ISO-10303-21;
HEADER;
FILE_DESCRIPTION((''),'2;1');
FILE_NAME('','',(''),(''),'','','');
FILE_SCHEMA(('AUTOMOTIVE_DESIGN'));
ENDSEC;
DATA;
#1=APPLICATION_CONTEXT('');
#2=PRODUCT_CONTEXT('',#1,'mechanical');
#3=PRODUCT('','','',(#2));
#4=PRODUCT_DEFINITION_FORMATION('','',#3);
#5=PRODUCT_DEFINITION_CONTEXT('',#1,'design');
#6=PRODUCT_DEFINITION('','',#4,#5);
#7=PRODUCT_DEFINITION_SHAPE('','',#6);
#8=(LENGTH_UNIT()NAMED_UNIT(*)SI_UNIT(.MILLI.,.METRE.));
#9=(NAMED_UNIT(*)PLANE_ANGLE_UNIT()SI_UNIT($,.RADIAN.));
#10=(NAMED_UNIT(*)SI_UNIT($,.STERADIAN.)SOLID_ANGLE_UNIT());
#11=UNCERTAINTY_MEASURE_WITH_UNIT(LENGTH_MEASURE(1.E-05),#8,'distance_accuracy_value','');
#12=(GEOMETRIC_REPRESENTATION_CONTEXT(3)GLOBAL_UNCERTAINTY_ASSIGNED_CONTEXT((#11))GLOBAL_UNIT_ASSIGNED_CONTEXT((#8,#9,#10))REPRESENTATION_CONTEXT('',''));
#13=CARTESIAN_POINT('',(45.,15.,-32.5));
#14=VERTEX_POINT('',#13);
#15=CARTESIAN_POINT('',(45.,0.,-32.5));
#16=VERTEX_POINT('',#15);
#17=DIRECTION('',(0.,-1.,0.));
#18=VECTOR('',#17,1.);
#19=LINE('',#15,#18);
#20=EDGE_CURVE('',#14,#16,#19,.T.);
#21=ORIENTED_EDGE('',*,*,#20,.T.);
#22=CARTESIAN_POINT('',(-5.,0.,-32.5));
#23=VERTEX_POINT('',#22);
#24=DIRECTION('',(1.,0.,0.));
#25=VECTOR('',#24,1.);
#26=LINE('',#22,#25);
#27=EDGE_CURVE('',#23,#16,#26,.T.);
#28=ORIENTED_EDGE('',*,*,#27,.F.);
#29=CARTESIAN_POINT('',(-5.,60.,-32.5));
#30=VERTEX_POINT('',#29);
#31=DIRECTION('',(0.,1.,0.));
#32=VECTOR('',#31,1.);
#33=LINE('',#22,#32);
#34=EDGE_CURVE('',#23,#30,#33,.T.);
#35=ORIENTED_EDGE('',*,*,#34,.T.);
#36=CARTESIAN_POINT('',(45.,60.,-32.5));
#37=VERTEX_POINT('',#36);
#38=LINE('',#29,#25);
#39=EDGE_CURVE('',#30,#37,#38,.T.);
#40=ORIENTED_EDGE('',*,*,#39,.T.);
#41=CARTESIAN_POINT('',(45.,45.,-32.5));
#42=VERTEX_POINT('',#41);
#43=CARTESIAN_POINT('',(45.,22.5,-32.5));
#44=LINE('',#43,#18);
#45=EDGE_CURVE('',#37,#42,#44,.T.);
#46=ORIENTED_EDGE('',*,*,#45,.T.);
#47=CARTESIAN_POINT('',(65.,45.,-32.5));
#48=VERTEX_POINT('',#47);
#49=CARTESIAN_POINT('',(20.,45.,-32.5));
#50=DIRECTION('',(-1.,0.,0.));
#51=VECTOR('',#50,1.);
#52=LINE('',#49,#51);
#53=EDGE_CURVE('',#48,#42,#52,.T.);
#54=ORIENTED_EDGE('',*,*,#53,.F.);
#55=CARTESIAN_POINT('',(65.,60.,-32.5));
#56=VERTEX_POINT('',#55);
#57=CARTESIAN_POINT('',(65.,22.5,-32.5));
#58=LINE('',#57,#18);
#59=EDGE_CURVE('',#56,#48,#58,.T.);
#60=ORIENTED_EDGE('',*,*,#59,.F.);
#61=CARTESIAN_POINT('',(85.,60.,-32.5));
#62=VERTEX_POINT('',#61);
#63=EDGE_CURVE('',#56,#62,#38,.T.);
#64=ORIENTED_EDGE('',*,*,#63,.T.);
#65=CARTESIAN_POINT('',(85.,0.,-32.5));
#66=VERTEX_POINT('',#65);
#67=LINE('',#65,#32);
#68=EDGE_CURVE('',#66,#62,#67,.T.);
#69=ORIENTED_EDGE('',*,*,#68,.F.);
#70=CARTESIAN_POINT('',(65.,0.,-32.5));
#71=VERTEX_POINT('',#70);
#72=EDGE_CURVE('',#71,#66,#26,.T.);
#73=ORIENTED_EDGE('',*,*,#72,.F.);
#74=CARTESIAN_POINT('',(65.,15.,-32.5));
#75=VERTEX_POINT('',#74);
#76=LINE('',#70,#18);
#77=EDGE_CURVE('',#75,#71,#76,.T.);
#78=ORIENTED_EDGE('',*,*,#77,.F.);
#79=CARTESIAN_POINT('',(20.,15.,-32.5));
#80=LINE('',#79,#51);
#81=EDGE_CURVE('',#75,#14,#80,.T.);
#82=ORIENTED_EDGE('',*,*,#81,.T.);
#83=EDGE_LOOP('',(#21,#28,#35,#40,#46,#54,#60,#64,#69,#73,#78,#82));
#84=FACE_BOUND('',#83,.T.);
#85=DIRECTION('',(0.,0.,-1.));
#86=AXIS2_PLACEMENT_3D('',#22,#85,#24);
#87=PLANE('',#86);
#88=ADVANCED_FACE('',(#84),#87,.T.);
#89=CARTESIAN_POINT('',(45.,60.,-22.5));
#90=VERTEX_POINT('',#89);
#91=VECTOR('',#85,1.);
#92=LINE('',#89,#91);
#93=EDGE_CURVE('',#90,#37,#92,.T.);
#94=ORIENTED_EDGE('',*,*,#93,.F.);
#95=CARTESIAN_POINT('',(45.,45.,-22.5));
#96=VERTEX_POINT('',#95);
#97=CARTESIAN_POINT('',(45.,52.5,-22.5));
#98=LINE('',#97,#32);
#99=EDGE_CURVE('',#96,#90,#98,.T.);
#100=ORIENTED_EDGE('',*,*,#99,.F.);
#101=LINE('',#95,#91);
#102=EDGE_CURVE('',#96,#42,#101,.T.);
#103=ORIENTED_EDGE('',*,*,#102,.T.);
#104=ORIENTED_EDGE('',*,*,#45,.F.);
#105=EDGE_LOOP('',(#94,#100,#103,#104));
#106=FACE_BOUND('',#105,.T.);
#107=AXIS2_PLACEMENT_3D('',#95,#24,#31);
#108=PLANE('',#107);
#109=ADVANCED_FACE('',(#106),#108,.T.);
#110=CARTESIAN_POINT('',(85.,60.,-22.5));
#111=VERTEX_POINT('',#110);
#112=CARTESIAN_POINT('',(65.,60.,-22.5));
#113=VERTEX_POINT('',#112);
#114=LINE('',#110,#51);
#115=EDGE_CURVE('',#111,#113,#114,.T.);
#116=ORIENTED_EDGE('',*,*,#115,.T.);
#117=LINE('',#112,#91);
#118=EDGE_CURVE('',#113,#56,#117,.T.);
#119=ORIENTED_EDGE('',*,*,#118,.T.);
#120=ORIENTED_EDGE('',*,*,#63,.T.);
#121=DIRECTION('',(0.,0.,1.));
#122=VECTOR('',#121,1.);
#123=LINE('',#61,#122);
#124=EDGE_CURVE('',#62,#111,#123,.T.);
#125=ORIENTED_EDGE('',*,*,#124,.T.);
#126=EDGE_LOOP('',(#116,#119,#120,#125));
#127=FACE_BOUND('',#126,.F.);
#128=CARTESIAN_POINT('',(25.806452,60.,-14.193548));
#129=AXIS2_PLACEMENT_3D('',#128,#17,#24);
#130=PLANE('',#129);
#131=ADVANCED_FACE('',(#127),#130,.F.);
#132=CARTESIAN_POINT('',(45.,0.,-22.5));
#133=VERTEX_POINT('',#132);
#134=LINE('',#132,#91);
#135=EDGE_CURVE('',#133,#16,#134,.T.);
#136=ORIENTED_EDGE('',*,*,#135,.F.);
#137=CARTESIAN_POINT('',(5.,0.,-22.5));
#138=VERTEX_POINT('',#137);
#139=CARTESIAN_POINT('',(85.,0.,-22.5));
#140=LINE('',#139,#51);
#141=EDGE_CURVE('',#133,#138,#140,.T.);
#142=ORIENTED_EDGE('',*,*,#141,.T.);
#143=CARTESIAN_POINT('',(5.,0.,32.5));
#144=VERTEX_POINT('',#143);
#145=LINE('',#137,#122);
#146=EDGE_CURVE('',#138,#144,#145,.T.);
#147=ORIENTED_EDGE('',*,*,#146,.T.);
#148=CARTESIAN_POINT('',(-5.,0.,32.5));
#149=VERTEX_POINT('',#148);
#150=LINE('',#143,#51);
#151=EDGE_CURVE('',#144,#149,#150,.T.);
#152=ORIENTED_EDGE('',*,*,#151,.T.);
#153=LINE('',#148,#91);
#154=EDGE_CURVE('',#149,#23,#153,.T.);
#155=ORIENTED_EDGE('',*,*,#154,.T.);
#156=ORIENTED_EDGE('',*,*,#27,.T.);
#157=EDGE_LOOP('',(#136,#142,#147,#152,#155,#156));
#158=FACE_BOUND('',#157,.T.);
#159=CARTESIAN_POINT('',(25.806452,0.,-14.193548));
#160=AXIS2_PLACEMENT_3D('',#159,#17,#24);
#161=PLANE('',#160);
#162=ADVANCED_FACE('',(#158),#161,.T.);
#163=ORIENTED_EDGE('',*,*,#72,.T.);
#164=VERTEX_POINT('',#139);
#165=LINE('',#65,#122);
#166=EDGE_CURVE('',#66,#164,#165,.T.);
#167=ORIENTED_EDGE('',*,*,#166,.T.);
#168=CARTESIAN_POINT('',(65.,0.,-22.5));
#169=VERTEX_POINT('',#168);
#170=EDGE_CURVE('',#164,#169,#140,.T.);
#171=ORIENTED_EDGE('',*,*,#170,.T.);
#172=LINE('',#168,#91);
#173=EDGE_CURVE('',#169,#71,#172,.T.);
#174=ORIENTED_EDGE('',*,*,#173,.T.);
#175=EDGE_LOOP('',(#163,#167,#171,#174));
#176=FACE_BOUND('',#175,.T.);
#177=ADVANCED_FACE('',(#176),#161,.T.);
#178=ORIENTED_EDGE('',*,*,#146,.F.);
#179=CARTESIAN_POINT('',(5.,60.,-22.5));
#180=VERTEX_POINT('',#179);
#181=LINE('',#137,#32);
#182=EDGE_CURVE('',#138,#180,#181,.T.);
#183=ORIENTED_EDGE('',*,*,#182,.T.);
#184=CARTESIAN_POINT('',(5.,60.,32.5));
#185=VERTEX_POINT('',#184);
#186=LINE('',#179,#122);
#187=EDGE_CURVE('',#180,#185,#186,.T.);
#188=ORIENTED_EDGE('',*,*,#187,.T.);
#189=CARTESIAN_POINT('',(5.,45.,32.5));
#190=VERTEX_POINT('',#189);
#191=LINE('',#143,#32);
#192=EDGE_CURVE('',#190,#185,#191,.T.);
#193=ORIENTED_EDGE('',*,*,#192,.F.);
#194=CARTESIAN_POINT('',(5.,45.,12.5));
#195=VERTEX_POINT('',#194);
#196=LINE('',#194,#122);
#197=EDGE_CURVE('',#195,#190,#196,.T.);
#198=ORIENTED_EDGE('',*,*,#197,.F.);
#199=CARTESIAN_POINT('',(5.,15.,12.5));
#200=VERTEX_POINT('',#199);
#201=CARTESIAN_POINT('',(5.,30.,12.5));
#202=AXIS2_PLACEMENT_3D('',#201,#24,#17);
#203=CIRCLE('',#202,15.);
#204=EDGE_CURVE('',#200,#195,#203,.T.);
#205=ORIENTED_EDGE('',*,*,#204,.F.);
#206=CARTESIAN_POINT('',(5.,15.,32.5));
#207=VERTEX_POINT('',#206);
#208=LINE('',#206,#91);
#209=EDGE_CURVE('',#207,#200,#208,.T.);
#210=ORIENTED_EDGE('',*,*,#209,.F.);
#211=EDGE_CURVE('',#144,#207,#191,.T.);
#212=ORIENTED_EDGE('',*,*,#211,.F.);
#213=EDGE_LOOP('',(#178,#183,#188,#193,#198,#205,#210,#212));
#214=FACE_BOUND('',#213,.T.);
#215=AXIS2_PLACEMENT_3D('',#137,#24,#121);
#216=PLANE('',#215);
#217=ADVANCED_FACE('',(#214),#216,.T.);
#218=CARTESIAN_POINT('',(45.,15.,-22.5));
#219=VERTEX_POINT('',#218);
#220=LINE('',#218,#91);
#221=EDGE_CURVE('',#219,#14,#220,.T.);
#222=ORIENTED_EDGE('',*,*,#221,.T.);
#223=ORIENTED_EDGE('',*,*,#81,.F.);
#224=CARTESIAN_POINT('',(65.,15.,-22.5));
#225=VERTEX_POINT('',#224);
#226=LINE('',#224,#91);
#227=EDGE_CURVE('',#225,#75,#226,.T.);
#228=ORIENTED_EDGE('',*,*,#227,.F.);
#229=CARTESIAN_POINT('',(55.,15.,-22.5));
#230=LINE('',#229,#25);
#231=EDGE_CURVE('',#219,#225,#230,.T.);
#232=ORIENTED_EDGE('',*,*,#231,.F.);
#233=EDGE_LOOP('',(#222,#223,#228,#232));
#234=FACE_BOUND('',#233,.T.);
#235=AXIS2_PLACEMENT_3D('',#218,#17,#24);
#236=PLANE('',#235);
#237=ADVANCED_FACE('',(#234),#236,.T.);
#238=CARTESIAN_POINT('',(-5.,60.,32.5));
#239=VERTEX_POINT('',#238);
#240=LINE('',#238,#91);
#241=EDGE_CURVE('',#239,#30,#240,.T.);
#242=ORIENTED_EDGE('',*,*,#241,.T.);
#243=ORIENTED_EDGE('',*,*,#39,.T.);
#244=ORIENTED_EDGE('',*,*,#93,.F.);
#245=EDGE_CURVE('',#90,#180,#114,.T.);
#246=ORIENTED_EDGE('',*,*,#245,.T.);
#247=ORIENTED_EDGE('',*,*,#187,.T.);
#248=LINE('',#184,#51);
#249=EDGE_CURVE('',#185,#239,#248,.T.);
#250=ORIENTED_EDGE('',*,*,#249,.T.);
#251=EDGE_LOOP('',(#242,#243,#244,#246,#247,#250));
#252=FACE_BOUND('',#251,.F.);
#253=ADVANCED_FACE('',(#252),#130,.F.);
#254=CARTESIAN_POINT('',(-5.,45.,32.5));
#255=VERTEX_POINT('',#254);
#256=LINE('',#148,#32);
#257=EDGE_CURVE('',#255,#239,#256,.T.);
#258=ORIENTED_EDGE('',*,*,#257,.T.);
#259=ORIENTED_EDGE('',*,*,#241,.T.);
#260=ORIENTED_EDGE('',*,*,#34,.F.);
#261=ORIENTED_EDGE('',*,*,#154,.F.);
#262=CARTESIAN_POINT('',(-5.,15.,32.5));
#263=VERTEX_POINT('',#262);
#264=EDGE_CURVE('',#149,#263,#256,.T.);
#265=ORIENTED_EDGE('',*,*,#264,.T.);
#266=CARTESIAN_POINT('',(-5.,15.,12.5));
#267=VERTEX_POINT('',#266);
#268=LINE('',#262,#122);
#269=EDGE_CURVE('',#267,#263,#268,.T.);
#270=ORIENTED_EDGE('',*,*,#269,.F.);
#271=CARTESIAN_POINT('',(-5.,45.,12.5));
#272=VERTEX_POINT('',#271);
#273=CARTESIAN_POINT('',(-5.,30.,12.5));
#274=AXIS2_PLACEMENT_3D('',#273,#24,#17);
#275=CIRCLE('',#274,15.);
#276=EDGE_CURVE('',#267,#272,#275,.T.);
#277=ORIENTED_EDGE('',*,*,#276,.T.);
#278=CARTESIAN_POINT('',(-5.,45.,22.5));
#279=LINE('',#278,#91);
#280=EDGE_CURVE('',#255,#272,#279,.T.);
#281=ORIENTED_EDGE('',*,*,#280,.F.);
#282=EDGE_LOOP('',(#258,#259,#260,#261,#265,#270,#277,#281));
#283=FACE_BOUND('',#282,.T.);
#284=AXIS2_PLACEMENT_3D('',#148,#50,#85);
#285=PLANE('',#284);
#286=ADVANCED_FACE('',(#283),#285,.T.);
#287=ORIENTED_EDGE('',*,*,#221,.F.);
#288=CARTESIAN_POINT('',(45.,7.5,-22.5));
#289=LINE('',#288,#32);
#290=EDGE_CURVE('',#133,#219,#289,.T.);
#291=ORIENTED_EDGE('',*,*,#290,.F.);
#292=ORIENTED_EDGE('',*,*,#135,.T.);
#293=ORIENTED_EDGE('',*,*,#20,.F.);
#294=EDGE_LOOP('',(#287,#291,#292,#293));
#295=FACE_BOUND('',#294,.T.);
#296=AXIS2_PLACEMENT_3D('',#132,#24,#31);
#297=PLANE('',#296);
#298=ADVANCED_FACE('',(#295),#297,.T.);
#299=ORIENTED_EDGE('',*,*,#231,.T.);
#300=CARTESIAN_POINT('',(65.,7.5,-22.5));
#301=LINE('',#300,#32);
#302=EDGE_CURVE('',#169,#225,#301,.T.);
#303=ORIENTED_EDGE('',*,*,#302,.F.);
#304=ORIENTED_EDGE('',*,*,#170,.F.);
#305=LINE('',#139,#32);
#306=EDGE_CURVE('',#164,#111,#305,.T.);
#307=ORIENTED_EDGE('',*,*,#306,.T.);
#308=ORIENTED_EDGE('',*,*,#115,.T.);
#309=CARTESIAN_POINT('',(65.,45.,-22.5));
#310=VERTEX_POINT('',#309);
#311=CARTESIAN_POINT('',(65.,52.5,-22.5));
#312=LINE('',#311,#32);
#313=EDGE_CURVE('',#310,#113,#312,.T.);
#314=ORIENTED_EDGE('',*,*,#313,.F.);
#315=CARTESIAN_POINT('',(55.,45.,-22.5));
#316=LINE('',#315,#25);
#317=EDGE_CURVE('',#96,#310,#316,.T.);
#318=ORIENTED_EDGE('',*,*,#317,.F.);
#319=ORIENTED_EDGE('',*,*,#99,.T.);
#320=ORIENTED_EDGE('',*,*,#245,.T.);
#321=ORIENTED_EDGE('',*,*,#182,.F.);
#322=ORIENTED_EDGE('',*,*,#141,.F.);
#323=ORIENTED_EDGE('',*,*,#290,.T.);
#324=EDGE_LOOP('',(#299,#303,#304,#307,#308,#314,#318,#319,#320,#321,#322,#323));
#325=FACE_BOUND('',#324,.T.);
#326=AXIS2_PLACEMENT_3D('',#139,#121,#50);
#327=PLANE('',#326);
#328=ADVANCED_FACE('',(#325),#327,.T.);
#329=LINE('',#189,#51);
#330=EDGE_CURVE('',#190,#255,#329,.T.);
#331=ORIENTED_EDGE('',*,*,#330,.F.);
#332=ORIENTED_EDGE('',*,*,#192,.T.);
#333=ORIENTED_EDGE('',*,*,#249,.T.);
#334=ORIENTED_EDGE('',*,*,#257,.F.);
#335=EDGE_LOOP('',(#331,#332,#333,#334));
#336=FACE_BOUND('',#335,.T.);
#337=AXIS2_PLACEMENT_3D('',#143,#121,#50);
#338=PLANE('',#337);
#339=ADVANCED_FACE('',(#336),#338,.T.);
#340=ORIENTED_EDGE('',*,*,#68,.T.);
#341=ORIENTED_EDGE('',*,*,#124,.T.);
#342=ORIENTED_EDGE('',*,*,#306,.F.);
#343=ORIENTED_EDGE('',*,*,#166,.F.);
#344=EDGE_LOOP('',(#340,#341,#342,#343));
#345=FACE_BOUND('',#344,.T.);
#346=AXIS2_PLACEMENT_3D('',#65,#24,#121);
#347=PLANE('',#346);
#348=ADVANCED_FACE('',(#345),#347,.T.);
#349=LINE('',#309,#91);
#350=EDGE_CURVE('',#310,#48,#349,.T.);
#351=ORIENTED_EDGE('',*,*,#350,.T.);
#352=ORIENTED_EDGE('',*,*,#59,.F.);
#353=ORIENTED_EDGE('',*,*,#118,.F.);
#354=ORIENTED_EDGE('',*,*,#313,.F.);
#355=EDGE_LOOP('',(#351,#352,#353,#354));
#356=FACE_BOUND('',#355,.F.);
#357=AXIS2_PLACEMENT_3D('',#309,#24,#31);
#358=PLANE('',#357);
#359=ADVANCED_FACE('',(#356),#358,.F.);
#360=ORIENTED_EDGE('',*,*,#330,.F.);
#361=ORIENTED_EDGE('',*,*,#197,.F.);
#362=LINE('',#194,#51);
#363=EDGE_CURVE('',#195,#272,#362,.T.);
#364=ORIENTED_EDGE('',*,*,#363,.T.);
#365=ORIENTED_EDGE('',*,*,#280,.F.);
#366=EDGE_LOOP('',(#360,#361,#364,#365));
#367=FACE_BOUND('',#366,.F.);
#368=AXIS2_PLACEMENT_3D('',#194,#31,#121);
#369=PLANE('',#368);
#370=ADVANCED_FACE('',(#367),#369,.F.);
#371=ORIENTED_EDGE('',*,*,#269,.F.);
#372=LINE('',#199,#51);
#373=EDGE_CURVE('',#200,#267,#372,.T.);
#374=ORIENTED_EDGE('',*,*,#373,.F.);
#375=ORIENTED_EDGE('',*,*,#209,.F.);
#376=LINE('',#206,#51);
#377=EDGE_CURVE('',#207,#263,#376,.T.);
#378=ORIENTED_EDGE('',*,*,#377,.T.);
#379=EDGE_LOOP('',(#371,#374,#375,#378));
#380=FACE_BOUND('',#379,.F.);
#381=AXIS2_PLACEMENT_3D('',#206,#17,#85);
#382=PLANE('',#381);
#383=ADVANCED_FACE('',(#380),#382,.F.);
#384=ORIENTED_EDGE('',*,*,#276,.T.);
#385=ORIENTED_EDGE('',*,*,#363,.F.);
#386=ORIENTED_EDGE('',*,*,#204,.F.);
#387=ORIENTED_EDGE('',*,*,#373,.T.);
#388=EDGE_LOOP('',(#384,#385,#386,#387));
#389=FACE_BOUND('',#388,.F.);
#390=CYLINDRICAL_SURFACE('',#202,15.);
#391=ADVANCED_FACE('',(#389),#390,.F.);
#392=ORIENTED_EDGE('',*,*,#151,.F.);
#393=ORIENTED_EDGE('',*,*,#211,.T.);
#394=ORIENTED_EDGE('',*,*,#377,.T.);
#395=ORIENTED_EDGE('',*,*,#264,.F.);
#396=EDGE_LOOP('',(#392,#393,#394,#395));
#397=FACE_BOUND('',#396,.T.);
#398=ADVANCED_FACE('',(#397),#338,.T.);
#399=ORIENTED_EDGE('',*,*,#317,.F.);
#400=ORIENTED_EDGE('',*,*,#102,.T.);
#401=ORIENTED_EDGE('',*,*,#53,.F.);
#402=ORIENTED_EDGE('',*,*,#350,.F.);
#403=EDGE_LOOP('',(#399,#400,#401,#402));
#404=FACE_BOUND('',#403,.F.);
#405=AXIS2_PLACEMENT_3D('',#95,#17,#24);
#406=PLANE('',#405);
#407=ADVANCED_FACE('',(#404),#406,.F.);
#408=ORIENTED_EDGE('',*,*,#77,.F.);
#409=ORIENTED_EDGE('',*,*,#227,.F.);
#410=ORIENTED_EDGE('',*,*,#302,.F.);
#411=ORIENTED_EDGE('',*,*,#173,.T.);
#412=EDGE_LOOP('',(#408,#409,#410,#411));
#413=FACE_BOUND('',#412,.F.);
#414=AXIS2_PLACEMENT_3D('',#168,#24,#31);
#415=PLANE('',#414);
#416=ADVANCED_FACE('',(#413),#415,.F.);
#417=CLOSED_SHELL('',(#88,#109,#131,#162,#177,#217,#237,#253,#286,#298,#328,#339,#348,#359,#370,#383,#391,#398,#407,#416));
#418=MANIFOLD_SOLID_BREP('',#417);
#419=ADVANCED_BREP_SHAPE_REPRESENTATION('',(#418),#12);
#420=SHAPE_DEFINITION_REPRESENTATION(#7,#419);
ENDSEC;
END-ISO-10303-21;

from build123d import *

# Parameters (mm, degrees)
F1_DEPTH = 60
F2_W     = 20
F2_H     = 15
F3_DEPTH = 25
F5_DEPTH = 25


with BuildPart() as f1:
    # F0 (on Front) → F1 (new body)
    with BuildSketch(Plane.XZ):
        Polygon((5, -22.5), (5, 32.5), (-5, 32.5), (-5, -32.5), (5, -32.5), (85, -32.5), (85, -22.5), align=None)
    extrude(amount=-F1_DEPTH)

    # F2 (on face) → F3 (cut)
    with BuildSketch(Plane.XY.offset(-22.5)):
        with Locations((55, 7.5)):
            Rectangle(F2_W, F2_H)
        with Locations((55, 52.5)):
            Rectangle(F2_W, F2_H)
    extrude(amount=-F3_DEPTH, mode=Mode.SUBTRACT)

    # F4 (on face) → F5 (cut)
    with BuildSketch(Plane.YZ.offset(5)):
        with BuildLine():
            Line((15, 32.5), (15, 12.5))
            ThreePointArc((15, 12.5), (30, -2.5), (45, 12.5))
            Line((45, 12.5), (45, 32.5))
            Line((45, 32.5), (15, 32.5))
        make_face()
    extrude(amount=-F5_DEPTH, mode=Mode.SUBTRACT)


solid = f1.part
